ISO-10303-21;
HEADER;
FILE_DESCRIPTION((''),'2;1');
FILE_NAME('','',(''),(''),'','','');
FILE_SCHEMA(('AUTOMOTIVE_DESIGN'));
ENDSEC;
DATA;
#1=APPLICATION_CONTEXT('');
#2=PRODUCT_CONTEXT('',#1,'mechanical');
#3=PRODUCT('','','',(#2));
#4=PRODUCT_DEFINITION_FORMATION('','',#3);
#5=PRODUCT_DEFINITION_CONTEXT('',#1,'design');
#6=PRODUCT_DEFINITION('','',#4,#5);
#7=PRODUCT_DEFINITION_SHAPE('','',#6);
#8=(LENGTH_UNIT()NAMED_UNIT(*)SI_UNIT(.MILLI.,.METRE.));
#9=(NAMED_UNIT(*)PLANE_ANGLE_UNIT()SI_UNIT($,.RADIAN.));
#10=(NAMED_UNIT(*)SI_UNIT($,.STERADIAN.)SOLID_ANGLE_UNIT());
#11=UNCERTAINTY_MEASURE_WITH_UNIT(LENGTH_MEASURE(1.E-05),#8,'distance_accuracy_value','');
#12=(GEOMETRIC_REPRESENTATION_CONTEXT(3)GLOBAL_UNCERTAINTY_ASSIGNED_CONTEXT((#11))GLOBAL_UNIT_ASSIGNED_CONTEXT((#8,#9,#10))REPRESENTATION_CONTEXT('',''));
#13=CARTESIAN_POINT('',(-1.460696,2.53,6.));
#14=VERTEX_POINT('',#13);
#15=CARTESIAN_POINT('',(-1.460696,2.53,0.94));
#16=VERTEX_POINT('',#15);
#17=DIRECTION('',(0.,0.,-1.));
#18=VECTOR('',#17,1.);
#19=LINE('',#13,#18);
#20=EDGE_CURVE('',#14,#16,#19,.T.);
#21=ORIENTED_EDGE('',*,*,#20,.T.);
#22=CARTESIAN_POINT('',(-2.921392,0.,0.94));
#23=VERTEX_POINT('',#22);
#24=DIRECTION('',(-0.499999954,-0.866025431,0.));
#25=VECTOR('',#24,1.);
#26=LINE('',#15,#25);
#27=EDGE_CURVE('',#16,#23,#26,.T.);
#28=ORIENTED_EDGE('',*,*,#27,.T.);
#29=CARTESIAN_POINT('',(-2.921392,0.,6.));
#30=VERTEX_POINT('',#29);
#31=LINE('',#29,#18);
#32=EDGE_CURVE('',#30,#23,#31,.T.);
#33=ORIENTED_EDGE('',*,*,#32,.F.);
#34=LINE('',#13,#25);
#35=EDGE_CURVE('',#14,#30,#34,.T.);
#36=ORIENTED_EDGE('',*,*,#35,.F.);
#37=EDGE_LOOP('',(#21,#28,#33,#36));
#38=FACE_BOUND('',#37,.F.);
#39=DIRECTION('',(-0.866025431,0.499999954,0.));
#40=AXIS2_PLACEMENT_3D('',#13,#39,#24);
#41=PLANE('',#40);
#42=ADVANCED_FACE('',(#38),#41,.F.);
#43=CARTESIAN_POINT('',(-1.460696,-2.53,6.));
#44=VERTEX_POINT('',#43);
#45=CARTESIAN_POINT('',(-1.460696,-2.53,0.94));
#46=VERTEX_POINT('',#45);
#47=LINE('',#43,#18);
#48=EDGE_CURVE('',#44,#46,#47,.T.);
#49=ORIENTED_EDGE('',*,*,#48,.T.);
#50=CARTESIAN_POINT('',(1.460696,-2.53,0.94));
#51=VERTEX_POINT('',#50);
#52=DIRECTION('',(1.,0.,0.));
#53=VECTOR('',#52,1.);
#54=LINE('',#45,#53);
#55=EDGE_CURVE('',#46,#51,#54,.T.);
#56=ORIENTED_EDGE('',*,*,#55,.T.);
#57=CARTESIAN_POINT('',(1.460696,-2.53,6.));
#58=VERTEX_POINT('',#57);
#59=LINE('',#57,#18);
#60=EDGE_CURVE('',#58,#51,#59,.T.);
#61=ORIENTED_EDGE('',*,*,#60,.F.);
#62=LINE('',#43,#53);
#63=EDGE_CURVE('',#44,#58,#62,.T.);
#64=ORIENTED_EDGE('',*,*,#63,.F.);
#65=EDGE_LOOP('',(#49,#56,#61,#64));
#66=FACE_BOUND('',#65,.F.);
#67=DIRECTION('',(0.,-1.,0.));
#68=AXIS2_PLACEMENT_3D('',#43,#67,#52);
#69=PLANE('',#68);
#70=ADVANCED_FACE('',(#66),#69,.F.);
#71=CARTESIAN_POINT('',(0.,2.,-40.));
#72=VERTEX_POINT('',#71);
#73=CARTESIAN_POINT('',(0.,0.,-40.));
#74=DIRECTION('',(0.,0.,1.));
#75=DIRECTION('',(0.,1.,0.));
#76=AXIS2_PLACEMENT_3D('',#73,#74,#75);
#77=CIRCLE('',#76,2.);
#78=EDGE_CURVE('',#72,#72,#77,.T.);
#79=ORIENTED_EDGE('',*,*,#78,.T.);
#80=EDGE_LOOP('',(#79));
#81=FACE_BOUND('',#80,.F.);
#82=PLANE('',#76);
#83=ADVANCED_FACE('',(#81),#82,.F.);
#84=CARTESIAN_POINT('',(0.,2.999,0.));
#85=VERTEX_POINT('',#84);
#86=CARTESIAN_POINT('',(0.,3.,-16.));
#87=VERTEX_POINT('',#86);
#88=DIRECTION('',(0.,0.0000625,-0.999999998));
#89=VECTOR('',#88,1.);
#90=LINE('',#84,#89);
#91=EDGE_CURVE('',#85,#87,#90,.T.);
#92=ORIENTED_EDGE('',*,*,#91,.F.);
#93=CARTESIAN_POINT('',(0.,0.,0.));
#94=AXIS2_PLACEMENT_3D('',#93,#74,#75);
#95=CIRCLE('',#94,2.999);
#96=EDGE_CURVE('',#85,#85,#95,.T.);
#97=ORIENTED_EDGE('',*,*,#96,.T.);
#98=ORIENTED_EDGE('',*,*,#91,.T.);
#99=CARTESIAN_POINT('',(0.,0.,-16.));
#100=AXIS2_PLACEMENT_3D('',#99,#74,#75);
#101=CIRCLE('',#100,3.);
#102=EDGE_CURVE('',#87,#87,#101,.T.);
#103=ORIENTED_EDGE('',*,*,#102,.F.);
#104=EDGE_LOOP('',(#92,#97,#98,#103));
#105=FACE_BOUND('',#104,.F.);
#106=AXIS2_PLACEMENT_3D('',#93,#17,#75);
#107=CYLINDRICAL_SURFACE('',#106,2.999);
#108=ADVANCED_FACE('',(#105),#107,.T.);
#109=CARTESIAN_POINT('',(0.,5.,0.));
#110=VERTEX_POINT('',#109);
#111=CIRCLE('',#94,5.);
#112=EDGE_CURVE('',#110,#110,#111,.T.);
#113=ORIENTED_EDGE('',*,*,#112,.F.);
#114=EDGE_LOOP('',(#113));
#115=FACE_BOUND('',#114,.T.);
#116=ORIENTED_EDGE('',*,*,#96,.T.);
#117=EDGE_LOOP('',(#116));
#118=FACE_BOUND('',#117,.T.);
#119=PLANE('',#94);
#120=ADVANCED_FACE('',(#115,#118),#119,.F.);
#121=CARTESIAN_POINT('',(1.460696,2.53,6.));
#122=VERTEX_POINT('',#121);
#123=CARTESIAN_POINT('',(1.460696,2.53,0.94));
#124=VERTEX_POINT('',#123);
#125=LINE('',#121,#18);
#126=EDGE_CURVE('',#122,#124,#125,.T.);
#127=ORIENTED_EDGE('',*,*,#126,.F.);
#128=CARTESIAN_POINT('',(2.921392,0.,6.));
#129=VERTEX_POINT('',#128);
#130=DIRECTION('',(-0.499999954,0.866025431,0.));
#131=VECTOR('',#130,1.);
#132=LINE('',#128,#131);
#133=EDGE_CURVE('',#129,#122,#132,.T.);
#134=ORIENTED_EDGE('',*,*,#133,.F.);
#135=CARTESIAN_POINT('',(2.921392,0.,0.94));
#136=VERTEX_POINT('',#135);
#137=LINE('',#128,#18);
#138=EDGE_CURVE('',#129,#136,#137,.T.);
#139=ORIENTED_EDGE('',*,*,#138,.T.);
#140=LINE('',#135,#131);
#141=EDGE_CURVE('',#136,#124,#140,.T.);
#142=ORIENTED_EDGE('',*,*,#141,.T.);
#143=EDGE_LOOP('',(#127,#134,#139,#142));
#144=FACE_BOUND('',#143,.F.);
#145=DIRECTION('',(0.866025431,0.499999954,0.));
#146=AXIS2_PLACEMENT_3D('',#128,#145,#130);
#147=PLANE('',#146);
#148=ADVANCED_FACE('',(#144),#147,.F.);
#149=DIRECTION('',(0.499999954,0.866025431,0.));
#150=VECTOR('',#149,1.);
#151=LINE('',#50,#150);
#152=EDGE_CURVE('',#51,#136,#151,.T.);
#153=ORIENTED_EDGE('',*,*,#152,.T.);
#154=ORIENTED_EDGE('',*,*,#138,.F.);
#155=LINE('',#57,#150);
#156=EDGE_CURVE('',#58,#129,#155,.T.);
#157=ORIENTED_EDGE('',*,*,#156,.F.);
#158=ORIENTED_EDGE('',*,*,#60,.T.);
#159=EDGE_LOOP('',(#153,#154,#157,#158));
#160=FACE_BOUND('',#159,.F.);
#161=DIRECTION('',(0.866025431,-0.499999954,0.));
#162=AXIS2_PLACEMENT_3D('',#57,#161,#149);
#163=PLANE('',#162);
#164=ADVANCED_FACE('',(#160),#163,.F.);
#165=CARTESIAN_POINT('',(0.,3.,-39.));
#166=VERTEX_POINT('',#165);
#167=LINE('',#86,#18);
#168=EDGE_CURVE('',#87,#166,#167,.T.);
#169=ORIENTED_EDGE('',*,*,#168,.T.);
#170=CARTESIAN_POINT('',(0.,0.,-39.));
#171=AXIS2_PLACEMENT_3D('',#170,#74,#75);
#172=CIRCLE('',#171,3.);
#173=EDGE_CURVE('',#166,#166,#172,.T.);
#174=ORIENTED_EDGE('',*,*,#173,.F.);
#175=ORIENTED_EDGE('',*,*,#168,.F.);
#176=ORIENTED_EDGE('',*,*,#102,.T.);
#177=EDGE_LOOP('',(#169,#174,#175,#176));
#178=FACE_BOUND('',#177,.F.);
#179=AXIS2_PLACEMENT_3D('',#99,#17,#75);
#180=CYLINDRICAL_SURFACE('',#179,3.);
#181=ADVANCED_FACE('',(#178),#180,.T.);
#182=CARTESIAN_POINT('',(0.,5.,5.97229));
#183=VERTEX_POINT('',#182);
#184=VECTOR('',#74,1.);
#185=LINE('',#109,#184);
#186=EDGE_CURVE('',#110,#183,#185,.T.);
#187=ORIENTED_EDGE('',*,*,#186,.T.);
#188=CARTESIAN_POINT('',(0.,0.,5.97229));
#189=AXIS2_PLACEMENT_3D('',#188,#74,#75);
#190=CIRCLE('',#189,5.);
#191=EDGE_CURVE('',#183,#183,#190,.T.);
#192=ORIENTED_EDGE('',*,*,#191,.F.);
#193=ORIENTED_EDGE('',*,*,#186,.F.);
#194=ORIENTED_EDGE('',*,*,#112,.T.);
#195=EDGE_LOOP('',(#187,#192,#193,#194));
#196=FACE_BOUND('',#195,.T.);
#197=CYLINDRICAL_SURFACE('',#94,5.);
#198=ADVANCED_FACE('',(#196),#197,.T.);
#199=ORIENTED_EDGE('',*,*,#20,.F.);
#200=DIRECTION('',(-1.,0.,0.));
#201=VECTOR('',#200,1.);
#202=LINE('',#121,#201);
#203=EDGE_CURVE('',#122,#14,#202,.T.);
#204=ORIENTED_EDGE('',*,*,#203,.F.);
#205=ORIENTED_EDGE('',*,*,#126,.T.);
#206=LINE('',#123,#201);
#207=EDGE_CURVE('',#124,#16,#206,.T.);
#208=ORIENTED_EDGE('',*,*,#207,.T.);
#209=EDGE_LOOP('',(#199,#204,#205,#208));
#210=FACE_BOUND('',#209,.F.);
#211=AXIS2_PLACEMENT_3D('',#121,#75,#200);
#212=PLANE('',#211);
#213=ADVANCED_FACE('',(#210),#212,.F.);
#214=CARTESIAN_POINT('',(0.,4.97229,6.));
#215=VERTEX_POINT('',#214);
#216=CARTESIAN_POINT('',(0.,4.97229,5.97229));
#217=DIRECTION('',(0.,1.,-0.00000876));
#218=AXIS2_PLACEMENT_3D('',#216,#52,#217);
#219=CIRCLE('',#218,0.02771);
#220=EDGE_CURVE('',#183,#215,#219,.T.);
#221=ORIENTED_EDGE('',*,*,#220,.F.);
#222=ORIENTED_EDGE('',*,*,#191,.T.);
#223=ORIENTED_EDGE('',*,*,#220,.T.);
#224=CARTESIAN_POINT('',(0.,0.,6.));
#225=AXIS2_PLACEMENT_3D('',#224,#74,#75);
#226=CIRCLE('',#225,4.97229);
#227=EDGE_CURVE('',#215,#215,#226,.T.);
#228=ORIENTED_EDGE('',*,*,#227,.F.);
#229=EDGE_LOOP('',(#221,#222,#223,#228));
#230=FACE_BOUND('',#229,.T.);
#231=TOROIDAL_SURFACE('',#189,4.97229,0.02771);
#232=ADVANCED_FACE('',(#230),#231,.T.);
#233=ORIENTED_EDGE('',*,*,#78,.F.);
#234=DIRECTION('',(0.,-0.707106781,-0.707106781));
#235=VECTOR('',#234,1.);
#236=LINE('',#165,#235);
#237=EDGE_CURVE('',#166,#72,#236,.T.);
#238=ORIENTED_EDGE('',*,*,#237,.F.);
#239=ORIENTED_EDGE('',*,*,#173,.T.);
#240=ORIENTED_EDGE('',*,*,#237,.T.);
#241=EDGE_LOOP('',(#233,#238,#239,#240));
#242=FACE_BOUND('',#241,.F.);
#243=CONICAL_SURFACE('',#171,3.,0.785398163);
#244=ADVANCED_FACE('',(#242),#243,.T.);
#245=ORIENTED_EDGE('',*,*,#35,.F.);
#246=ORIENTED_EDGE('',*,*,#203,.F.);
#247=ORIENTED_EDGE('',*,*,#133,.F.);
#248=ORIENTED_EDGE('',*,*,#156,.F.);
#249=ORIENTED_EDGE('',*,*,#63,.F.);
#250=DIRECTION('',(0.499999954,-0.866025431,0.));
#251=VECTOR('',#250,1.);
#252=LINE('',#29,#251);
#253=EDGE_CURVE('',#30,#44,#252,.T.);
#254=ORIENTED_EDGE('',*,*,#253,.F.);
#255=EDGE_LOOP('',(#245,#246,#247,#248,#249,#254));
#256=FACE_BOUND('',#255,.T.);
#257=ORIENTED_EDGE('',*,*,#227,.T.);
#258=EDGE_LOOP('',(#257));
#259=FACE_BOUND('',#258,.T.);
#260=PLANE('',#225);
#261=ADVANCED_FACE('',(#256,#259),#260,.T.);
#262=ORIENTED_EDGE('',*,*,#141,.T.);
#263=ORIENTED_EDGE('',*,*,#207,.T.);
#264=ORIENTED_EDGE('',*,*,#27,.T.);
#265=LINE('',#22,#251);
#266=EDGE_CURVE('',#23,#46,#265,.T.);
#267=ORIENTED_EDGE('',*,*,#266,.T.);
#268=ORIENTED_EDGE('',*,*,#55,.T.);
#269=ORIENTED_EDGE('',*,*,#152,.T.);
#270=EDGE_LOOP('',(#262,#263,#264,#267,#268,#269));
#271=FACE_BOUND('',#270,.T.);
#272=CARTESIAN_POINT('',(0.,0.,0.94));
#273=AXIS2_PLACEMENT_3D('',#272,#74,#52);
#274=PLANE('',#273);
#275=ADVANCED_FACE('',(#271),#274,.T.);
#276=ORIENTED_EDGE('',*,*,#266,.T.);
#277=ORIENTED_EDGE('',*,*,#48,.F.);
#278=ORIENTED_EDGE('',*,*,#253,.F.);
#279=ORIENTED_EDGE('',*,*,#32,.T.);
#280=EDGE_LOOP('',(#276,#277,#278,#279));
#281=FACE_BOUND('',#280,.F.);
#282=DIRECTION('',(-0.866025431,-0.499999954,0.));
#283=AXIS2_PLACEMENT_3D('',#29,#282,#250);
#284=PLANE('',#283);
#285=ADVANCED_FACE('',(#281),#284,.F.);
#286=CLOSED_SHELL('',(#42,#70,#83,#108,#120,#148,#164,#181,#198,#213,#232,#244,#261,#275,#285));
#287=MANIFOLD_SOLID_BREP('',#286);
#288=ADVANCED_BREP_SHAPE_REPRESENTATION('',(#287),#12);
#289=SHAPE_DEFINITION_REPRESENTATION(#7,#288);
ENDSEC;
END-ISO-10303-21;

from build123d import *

# Parameters (mm, degrees)
POCKET_DEPTH = 5.06


with BuildPart() as part:
    # Sketch → Revolve (revolve)
    with BuildSketch(Plane.YZ):
        with BuildLine():
            Line((2.999, 0), (5, 0))
            Line((5, 0), (5, 5.97229))
            ThreePointArc((5, 5.97229), (4.991884, 5.991884), (4.97229, 6))
            Line((4.97229, 6), (0, 6))
            Line((0, -40), (0, 6))
            Line((2, -40), (0, -40))
            Line((3, -39), (2, -40))
            Line((3, -16), (3, -39))
            Line((2.999, 0), (3, -16))
        make_face()
    revolve(axis=Axis((0, 0, 0), (0, 0, 1)))

    # Sketch001 → Pocket (cut)
    with BuildSketch(Plane.XY.offset(6)):
        Polygon((2.921392, 0), (1.460696, 2.53), (-1.460696, 2.53), (-2.921392, 0), (-1.460696, -2.53), (1.460696, -2.53), align=None)
    extrude(amount=-POCKET_DEPTH, mode=Mode.SUBTRACT)


solid = part.part
